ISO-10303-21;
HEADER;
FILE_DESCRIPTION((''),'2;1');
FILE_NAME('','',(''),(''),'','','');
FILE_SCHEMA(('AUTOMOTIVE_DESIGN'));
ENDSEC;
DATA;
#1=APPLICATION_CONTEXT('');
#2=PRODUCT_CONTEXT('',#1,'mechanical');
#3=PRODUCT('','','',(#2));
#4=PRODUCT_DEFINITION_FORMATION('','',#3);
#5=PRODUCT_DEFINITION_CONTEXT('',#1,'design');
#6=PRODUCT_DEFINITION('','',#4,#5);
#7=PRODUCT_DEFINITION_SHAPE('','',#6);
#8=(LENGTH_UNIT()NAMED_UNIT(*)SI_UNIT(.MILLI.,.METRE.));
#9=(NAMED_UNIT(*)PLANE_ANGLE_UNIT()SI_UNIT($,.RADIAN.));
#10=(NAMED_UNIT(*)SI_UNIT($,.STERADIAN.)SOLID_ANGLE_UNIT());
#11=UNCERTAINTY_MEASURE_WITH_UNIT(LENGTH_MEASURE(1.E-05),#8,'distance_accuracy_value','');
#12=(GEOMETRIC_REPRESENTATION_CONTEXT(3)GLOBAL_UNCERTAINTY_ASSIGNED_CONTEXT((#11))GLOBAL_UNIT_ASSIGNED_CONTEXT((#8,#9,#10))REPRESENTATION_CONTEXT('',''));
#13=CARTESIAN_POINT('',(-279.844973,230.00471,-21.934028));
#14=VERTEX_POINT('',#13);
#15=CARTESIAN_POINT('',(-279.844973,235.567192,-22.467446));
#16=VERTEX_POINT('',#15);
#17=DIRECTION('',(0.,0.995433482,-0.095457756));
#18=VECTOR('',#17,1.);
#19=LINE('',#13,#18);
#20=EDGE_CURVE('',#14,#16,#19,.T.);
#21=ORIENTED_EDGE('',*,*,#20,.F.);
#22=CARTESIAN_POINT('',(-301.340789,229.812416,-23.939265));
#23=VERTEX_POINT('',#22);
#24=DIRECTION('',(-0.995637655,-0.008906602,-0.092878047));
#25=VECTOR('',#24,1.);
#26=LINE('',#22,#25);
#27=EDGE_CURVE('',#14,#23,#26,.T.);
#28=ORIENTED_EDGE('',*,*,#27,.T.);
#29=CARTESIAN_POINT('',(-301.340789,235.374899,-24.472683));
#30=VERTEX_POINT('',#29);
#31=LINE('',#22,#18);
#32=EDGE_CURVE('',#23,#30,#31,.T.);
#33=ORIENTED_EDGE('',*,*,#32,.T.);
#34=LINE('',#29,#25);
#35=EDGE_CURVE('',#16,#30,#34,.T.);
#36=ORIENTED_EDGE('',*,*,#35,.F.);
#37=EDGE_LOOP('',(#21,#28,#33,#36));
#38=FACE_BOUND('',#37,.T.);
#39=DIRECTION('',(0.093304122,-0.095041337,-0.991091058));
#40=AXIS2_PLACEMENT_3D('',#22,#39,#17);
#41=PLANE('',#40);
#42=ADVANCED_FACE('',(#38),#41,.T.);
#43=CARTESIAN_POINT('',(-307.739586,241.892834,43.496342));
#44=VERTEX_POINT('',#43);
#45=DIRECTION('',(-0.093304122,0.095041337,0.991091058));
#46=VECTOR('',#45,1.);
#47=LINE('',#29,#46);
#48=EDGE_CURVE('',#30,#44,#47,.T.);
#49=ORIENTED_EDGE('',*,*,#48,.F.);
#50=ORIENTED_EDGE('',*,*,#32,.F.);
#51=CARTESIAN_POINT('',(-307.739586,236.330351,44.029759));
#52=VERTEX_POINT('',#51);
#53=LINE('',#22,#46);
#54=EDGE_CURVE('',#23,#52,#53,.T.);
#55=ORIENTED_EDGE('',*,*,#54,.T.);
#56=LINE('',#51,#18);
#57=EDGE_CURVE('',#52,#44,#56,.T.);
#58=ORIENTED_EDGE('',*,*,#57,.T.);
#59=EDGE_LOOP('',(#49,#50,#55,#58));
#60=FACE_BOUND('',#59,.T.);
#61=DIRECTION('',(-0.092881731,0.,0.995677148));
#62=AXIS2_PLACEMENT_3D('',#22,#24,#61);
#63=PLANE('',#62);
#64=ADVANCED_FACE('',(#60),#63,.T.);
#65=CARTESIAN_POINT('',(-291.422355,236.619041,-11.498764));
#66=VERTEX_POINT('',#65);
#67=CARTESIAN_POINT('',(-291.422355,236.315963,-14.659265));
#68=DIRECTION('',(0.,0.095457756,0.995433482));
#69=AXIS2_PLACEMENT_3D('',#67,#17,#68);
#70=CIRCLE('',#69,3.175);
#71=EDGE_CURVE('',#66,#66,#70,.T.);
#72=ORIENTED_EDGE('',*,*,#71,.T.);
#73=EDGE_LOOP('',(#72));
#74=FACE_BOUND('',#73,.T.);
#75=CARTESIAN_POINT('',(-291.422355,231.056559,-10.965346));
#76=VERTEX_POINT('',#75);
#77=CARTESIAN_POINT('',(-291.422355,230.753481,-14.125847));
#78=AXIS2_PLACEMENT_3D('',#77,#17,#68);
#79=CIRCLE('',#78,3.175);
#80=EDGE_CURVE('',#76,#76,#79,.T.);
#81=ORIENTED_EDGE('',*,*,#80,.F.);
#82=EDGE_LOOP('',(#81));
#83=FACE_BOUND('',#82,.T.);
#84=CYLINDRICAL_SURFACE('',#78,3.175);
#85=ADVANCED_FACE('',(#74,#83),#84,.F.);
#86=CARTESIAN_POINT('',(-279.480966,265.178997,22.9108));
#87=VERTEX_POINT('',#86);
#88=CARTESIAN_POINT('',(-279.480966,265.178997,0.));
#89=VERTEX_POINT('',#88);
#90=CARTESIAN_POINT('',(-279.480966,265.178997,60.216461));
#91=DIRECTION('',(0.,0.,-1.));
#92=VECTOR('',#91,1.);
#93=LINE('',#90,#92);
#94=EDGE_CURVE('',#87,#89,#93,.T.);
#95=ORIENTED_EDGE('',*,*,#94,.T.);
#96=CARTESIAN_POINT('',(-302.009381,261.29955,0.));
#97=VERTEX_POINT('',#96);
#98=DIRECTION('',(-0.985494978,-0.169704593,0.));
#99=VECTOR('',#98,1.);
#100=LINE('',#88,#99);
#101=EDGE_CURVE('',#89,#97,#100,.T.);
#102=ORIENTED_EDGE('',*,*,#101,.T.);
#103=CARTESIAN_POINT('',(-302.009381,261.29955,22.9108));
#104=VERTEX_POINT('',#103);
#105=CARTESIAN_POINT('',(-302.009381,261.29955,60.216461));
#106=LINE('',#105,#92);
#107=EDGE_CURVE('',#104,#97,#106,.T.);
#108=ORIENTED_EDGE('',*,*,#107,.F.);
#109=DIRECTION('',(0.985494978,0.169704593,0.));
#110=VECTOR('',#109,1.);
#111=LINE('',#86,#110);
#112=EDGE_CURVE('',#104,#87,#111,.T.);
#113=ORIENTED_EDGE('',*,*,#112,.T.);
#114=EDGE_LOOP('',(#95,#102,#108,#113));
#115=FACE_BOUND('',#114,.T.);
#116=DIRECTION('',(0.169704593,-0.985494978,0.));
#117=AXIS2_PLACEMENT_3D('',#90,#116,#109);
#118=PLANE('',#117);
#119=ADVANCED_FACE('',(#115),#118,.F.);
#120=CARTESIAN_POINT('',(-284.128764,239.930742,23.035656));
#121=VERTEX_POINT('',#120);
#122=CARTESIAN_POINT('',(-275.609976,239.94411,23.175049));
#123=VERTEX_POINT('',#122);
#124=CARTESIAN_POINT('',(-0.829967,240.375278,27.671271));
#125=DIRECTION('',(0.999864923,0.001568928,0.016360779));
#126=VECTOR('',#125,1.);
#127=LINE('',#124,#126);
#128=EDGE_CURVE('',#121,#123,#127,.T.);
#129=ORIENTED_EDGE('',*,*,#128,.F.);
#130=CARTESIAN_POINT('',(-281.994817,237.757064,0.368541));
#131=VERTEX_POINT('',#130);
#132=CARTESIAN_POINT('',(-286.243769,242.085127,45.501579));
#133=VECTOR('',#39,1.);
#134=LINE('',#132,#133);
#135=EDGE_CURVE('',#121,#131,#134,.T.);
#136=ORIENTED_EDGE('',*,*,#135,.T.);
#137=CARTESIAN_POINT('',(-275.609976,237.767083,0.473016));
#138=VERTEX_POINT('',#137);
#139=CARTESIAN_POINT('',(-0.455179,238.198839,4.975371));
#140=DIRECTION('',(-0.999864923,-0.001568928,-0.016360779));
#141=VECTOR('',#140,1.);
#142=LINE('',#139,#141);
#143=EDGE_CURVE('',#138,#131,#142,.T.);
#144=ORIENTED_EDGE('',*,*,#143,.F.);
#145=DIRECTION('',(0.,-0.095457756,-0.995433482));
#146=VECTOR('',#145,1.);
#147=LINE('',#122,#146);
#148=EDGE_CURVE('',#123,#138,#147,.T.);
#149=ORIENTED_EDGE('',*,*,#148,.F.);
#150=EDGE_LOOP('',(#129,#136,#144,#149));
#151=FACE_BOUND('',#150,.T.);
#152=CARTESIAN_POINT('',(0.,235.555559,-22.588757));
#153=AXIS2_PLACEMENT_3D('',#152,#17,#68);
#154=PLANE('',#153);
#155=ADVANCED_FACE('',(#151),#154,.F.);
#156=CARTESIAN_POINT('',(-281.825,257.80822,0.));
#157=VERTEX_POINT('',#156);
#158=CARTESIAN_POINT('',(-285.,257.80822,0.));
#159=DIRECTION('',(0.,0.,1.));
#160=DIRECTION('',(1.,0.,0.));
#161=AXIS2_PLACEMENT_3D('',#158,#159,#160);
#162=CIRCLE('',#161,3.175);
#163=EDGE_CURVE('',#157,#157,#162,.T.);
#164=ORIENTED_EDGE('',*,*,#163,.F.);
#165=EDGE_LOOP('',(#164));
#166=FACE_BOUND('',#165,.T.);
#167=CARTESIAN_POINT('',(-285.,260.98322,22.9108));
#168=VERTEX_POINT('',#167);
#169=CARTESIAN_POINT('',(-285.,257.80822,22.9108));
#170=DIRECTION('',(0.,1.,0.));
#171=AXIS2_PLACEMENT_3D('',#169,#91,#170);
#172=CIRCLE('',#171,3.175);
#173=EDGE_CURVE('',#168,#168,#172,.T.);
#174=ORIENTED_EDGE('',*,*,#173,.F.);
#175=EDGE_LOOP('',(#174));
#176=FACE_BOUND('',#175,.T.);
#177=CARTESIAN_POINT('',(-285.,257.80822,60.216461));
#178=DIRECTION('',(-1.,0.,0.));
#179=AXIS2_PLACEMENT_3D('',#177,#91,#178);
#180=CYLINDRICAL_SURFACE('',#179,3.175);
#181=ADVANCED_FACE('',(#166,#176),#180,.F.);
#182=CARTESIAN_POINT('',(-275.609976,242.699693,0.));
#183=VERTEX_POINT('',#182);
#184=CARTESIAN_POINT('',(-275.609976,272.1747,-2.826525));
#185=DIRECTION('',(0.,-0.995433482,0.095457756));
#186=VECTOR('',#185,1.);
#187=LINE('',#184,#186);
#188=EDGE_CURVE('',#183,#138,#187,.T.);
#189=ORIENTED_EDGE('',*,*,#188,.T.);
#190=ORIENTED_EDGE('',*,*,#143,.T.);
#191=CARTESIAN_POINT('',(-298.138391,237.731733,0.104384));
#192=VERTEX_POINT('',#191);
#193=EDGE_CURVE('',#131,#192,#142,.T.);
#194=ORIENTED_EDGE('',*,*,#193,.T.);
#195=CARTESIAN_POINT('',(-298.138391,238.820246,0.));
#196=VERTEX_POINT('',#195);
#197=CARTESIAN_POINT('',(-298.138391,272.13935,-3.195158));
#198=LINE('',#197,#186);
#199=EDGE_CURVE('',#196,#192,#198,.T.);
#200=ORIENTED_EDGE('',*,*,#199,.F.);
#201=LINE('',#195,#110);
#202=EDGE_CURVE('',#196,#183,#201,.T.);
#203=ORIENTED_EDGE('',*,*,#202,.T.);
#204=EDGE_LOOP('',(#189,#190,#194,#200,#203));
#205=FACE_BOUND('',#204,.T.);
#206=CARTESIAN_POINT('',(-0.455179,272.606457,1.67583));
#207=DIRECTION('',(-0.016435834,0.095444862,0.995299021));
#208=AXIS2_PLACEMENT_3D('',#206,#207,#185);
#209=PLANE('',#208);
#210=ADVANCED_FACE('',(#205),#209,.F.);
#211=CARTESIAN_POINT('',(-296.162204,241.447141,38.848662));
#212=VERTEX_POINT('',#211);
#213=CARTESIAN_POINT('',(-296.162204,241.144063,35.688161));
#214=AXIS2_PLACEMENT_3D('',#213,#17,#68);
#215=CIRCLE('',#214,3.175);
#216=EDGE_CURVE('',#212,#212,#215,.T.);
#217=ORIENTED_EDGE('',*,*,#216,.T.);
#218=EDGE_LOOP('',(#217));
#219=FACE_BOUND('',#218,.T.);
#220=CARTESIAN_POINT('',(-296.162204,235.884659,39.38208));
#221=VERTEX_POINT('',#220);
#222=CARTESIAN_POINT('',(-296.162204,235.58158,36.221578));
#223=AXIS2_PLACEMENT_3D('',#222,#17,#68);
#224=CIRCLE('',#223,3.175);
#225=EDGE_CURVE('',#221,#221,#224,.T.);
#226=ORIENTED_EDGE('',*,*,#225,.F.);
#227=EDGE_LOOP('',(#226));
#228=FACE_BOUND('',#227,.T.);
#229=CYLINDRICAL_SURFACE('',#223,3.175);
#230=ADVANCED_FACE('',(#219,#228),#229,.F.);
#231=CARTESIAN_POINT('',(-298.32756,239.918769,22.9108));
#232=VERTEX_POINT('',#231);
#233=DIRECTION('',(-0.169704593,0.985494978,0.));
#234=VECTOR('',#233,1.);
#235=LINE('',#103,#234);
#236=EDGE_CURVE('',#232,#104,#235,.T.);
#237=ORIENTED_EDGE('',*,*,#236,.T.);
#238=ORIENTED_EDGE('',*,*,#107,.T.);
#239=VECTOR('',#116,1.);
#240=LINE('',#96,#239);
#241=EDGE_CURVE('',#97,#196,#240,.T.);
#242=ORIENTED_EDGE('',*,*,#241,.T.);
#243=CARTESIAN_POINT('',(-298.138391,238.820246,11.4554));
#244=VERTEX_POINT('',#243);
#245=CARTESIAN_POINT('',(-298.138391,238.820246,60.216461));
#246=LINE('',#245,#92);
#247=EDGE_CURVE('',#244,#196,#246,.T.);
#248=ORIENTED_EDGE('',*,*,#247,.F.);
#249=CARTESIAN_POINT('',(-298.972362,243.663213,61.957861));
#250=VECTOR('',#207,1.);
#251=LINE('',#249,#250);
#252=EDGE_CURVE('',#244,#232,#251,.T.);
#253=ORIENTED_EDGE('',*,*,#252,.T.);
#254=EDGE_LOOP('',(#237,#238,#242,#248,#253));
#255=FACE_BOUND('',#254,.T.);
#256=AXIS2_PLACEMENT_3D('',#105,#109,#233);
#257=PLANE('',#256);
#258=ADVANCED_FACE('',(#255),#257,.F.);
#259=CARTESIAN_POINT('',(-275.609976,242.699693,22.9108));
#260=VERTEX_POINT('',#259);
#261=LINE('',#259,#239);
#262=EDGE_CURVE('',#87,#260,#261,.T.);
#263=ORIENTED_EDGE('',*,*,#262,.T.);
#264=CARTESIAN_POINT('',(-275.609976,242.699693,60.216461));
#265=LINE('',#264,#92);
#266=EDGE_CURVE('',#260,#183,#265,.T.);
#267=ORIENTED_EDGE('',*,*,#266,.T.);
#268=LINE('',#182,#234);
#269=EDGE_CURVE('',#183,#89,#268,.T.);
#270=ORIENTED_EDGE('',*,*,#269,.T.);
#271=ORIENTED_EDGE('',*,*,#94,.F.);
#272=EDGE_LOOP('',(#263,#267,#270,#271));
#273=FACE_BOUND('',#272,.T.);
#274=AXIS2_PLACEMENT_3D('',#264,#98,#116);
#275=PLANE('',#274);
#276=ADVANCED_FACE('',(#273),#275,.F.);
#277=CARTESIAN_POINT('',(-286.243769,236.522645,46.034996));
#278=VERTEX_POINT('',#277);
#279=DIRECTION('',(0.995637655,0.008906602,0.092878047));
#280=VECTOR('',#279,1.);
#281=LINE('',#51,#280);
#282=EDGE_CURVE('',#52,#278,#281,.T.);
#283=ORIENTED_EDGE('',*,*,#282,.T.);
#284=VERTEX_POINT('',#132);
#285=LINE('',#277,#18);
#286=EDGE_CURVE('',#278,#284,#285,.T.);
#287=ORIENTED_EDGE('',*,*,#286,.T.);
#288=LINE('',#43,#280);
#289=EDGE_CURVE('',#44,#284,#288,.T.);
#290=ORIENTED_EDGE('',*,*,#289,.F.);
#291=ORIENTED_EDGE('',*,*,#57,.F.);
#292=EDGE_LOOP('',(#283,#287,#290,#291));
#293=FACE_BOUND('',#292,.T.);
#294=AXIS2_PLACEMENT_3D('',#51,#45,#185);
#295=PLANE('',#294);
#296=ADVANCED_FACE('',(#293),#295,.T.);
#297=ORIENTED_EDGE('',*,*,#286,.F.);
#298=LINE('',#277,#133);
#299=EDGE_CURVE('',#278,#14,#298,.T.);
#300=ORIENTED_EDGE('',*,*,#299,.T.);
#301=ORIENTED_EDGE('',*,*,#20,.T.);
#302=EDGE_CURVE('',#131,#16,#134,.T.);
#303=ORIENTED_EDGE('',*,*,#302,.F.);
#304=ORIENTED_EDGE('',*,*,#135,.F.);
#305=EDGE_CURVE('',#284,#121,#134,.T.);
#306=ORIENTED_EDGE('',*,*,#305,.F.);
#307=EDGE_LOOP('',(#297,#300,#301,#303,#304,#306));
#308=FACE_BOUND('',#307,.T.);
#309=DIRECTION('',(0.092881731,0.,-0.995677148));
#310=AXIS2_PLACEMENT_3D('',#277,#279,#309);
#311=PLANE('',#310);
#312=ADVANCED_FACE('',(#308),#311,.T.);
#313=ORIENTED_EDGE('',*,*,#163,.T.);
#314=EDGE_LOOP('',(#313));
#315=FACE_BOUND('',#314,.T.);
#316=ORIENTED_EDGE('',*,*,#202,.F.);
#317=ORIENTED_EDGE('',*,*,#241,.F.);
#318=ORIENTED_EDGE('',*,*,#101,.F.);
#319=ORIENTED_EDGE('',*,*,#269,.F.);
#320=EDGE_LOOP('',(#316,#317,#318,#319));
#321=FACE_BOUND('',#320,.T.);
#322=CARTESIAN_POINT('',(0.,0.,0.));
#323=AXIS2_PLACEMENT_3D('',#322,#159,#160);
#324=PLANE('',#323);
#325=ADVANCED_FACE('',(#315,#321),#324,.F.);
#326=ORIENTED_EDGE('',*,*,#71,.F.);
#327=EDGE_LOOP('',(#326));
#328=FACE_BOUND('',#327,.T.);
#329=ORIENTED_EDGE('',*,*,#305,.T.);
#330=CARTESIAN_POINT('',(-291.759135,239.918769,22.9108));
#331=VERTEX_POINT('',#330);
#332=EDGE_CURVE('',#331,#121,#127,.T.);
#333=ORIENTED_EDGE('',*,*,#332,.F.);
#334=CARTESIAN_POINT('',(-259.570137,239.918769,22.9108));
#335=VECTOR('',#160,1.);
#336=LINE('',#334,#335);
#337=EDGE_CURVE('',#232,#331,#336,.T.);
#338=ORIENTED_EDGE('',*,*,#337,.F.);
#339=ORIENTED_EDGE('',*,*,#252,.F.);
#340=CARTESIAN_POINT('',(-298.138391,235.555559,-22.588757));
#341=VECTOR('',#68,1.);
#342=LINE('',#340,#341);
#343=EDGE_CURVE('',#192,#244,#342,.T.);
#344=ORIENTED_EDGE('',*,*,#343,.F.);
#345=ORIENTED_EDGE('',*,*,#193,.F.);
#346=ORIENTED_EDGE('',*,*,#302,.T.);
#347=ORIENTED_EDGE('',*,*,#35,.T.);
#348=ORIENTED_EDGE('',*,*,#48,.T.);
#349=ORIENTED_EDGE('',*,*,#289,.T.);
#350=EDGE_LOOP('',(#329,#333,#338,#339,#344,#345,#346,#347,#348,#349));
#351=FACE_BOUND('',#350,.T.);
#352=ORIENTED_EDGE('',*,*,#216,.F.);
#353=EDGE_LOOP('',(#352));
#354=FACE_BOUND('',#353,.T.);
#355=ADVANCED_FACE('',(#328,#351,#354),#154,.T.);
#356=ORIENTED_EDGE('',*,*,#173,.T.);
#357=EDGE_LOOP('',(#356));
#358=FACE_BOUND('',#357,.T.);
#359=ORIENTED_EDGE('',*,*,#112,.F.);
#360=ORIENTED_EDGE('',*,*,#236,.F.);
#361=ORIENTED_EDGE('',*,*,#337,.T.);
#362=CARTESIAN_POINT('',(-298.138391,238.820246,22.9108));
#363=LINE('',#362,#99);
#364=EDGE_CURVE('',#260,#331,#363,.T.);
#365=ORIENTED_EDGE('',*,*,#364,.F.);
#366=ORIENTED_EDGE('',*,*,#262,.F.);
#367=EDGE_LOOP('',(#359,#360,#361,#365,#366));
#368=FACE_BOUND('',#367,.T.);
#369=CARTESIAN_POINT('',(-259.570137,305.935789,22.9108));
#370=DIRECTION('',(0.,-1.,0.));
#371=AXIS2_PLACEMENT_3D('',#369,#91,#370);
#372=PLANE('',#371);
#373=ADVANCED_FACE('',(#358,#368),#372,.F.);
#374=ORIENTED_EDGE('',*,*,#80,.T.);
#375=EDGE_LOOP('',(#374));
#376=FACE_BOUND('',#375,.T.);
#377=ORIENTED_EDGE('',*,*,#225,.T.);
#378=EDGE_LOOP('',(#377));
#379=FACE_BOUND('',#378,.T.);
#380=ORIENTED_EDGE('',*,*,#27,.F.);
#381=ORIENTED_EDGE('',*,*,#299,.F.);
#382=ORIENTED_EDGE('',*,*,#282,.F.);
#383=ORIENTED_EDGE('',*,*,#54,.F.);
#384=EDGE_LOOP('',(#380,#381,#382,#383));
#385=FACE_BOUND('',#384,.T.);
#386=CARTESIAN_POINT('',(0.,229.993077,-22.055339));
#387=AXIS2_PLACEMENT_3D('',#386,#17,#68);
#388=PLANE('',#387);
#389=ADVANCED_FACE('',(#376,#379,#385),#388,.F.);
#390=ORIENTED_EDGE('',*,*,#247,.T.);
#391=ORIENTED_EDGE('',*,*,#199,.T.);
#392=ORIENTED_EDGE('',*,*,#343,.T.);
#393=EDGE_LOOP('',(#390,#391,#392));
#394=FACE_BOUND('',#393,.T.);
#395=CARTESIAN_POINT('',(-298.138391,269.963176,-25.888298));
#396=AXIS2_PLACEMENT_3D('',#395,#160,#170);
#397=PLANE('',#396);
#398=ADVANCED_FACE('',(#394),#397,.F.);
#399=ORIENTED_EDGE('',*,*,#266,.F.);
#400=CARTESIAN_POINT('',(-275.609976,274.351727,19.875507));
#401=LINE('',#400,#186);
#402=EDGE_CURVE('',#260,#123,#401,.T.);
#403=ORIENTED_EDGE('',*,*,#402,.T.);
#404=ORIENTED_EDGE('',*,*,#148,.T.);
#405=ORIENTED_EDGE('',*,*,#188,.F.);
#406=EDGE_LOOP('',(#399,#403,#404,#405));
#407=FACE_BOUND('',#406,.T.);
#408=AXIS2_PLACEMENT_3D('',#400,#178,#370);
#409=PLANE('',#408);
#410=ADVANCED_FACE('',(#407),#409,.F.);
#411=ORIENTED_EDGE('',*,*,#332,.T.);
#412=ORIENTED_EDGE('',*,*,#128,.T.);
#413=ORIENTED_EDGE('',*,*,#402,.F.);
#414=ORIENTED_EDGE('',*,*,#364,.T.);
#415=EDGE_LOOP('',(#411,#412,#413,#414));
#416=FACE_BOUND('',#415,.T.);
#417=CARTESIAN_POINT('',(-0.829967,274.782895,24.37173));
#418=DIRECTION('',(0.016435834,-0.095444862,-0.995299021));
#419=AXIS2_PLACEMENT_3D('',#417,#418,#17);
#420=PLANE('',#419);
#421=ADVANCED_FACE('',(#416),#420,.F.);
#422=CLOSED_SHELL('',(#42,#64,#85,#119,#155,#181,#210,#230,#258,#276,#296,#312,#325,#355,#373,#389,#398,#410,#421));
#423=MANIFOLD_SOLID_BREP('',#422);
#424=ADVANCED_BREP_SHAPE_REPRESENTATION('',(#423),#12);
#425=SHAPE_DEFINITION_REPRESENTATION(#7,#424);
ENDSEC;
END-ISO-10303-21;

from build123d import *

# Parameters (mm, degrees)
SKETCH1_R           = 3.175
BOSS_EXTRUDE1_DEPTH = 22.9108
SKETCH2_R           = 3.175
BOSS_EXTRUDE2_DEPTH = 5.588
BOSS_EXTRUDE3_REACH = 318.687


with BuildPart() as part:
    # Sketch1 → Boss-Extrude1 (new body)
    with BuildSketch(Plane.XY):
        Polygon((-279.480965909, 265.178996639), (-302.009381101, 261.299549651), (-298.138391254, 238.820246093), (-275.609976062, 242.699693081), align=None)
        with Locations(Location((-285, 257.808220008, 0), (0, 0, 90))):
            Circle(SKETCH1_R, mode=Mode.SUBTRACT)
    extrude(amount=BOSS_EXTRUDE1_DEPTH)

    # Sketch2 → Boss-Extrude2 (add)
    with BuildSketch(Plane(origin=(0, 235.555558992, -22.588757095), x_dir=(1, 0, 0), z_dir=(0, 0.9954334818448494, -0.09545775621833992))):
        Polygon((-301.340789499, 1.892568588), (-307.73958618, -66.388261818), (-286.2437692, -68.40269781), (-279.844972519, -0.121867404), align=None)
        with Locations(Location((-291.422354653, -7.965868164, 0), (0, 0, 270))):
            Circle(SKETCH2_R, mode=Mode.SUBTRACT)
        with Locations(Location((-296.162204047, -58.544261058, 0), (0, 0, 270))):
            Circle(SKETCH2_R, mode=Mode.SUBTRACT)
    extrude(amount=-BOSS_EXTRUDE2_DEPTH)

    # Boss-Extrude3: up to this face of the body (flat: up to its plane)
    boss_extrude3_end = Plane(part.part.faces().sort_by_distance((-286.17802659, 240.879849499, 10.873584724))[0])
    # Sketch4 → Boss-Extrude3 (add, up to the picked face)
    with BuildSketch(Plane(origin=(0, 235.555558992, -22.588757095), x_dir=(1, 0, 0), z_dir=(0, 0.9954334818448495, -0.09545775621833982)), mode=Mode.PRIVATE) as boss_extrude3_sk1:
        Polygon((-291.759134886, -45.708284808), (-275.609976062, -45.973745552), (-275.609976062, -23.167568136), (-298.138391254, -22.797244832), (-298.138391254, -34.200333539), align=None)
    boss_extrude3_tool1 = split(extrude(boss_extrude3_sk1.sketch, amount=BOSS_EXTRUDE3_REACH, mode=Mode.PRIVATE), bisect_by=boss_extrude3_end, keep=Keep.BOTH, mode=Mode.PRIVATE)
    add(boss_extrude3_tool1.solids().sort_by(Axis((-286.178027, 238.783728, 11.074594), (0, 0.9954334818448495, -0.09545775621833982)))[0])


solid = part.part
